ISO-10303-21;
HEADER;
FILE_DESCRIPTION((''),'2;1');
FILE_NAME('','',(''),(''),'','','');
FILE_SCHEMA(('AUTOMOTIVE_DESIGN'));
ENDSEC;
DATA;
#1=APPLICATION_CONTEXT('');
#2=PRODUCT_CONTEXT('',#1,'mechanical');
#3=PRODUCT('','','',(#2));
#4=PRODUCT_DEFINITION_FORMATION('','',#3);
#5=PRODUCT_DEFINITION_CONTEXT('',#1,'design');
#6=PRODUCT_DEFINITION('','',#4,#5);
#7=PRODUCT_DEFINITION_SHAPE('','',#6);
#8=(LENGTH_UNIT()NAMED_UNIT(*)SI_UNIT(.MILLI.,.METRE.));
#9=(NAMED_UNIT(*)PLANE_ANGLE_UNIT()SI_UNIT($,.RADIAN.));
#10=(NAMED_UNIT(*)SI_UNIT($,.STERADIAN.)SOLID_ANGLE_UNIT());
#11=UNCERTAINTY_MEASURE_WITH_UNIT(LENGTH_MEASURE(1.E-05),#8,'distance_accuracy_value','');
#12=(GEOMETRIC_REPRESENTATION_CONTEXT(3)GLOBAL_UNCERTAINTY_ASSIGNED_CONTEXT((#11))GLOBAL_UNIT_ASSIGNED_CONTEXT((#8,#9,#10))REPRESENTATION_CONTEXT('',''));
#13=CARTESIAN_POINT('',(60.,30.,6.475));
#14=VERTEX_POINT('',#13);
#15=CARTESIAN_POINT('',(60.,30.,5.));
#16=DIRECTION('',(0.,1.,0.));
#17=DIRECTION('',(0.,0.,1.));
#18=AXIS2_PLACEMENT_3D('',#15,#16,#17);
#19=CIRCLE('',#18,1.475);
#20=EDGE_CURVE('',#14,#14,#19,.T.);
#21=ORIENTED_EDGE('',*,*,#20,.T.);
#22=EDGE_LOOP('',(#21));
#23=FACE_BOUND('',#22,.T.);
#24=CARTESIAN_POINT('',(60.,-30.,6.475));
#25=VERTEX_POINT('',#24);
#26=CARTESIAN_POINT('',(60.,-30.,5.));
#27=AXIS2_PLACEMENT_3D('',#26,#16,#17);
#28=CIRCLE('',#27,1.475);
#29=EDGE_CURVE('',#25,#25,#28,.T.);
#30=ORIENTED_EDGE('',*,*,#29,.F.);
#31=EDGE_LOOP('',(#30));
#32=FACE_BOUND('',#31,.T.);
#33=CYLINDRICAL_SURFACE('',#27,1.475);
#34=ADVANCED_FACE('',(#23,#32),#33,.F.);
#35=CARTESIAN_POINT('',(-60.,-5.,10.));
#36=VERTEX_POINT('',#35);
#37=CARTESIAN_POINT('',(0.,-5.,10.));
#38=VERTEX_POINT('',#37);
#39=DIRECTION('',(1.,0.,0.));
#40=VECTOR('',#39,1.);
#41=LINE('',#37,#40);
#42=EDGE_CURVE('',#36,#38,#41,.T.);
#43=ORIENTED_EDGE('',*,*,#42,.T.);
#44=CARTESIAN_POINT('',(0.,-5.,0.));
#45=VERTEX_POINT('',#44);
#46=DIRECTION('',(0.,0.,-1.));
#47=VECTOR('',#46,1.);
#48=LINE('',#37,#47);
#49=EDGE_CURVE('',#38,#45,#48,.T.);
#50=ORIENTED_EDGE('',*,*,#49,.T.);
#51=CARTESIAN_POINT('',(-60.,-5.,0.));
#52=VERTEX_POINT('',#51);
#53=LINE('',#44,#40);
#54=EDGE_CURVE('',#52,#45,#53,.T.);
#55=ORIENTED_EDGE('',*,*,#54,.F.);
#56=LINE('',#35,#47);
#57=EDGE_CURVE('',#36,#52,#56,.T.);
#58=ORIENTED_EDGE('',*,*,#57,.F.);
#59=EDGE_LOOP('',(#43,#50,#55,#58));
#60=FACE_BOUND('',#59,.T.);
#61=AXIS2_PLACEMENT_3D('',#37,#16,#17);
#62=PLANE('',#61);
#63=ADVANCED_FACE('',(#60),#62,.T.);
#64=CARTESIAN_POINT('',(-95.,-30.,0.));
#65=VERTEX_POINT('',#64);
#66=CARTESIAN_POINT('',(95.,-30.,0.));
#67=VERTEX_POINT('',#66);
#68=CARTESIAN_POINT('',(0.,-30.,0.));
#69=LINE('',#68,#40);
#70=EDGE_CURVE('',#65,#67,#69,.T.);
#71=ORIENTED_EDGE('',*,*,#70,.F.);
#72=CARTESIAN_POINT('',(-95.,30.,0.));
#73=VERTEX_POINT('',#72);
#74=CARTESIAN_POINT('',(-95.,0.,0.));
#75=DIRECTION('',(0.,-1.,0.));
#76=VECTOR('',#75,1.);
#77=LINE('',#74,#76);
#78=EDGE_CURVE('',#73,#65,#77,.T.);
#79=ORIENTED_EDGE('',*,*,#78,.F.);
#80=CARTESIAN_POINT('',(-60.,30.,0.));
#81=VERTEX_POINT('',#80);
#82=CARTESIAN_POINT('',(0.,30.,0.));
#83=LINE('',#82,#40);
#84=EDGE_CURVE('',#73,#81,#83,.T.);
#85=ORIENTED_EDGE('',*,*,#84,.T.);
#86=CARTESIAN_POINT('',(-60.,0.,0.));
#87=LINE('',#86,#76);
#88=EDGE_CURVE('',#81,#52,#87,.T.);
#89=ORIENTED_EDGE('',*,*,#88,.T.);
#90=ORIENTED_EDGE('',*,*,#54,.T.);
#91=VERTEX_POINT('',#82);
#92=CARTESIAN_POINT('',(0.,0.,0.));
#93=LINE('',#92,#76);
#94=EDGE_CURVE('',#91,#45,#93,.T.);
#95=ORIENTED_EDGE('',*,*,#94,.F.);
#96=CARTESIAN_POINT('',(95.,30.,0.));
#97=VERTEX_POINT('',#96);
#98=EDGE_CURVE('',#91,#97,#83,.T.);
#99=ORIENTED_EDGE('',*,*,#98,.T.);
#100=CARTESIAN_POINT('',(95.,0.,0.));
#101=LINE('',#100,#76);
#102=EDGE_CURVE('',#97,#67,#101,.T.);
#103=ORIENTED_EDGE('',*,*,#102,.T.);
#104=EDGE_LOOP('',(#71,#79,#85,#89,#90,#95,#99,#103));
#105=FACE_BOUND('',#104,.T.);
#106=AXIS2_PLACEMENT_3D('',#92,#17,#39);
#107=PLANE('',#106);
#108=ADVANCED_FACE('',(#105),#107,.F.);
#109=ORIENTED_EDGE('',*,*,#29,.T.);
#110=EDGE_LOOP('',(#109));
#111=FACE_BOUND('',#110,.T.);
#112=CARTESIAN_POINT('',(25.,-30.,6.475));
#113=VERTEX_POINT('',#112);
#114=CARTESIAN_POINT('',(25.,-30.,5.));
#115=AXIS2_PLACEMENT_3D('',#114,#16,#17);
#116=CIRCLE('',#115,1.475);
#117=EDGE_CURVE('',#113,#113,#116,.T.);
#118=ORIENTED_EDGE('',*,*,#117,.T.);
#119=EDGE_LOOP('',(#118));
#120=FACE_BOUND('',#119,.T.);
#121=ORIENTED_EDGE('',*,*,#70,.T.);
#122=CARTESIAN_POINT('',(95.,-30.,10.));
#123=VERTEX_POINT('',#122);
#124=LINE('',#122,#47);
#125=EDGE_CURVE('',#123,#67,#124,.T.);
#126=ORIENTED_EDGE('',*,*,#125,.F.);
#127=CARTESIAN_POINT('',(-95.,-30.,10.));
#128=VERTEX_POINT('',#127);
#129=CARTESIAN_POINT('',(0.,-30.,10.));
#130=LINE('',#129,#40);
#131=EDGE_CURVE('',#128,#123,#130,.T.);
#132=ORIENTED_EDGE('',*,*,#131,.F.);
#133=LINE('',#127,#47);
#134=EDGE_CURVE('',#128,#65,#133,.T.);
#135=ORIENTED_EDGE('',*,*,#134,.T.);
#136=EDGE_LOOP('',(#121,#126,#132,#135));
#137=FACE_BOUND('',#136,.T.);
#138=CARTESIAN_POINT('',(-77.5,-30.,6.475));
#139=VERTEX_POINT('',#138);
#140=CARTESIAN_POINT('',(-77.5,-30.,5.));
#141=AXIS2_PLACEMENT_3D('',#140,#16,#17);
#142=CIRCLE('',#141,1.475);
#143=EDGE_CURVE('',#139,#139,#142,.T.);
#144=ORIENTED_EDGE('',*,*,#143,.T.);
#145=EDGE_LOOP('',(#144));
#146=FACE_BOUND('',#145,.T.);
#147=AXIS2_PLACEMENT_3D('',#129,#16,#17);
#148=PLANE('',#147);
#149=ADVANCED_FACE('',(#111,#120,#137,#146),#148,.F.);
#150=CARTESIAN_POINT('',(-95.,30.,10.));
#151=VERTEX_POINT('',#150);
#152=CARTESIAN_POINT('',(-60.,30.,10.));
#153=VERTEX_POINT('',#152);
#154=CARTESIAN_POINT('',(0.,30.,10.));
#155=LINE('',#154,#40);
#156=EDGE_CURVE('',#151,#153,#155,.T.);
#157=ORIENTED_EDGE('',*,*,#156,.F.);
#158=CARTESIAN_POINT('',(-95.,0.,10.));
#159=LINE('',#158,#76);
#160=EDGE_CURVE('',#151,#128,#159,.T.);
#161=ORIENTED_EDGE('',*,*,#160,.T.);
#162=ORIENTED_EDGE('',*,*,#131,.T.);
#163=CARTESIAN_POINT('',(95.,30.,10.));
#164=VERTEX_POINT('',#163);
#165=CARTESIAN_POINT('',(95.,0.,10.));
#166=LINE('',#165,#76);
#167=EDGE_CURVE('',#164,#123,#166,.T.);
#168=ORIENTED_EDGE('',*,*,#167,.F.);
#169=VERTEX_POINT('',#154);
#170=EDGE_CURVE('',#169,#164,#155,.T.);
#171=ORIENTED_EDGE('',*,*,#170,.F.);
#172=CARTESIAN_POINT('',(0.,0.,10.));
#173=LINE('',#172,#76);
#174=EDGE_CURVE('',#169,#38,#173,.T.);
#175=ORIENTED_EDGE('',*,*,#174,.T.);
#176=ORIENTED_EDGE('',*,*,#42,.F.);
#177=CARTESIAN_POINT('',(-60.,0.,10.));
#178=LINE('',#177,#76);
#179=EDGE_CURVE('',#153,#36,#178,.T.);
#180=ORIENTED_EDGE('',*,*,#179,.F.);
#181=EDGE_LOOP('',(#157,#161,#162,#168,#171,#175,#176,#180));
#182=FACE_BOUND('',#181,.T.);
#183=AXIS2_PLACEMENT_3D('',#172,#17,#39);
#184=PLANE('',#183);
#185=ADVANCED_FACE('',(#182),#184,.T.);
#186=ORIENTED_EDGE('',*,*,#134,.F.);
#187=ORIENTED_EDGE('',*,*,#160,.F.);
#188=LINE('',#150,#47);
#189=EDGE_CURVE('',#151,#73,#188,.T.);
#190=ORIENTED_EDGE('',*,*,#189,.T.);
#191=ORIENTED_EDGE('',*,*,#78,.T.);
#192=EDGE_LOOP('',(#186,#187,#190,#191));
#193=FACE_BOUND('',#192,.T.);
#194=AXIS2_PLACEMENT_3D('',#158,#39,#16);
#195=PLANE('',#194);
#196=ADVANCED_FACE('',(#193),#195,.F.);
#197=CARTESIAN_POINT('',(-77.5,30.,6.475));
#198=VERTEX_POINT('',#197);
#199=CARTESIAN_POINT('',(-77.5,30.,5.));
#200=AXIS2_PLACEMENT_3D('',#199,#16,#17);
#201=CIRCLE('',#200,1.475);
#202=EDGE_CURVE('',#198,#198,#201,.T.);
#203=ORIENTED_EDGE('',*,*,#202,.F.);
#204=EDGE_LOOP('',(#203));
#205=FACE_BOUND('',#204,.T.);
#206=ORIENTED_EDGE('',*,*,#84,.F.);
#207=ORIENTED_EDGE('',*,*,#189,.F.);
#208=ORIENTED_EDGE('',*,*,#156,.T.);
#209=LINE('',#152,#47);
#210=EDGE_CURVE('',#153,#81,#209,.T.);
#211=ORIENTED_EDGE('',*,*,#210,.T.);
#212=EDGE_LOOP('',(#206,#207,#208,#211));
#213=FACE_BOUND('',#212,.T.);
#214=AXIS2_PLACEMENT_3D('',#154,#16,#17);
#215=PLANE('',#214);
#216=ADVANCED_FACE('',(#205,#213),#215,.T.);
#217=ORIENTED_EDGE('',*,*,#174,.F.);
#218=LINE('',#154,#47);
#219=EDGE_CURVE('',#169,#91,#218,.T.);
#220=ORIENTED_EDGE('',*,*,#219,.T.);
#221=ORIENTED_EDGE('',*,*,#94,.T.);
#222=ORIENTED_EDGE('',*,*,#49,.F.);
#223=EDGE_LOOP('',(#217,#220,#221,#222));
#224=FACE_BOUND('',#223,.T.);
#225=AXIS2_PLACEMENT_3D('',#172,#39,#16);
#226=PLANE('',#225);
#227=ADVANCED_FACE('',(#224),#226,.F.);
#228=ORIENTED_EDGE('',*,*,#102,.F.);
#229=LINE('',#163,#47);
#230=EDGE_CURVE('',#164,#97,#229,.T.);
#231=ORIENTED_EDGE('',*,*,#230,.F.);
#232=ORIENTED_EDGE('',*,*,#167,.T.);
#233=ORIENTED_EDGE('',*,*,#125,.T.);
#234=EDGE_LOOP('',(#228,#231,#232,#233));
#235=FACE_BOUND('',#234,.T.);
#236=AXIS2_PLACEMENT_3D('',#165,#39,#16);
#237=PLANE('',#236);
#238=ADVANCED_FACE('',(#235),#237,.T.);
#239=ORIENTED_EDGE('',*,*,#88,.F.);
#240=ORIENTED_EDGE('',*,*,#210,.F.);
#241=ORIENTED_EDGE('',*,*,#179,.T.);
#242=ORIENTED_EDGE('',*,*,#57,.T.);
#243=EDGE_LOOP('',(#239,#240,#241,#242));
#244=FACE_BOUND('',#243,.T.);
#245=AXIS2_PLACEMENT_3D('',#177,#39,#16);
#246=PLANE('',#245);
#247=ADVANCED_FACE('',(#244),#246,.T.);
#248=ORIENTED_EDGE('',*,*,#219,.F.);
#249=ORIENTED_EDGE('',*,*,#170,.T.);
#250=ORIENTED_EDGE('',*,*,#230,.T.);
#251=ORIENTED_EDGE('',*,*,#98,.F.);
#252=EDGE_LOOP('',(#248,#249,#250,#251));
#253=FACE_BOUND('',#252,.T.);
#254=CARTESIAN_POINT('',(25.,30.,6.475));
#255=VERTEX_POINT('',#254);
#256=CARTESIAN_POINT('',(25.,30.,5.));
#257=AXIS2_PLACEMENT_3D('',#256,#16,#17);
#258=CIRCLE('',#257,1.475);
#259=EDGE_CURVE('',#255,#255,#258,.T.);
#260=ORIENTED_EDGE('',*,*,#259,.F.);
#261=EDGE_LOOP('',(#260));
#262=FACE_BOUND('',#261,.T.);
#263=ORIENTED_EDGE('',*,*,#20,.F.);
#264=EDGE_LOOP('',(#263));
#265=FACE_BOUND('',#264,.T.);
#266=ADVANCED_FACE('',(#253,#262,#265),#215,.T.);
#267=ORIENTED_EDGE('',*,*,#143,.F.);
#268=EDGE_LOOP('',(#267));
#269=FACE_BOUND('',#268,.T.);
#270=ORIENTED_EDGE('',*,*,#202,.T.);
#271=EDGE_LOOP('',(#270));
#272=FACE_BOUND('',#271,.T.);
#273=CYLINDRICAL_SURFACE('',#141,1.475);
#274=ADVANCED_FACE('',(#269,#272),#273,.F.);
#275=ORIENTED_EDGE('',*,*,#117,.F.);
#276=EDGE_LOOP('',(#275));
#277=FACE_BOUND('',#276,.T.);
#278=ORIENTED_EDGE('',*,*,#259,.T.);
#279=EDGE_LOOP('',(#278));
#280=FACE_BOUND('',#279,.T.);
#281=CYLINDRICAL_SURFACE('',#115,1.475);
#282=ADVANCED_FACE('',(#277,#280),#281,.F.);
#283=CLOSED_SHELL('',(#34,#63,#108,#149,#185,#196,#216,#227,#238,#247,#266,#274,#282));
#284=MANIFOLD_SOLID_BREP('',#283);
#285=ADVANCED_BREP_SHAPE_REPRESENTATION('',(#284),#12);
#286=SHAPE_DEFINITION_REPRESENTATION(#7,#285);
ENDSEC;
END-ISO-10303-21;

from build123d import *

# Parameters (mm, degrees)
BOSS_EXTRUDE1_DEPTH = 10
CUT_EXTRUDE1_DEPTH  = 61


with BuildPart() as part:
    # Sketch2 → Boss-Extrude1 (new body)
    with BuildSketch(Plane.XY):
        Polygon((-60, 30), (-95, 30), (-95, -30), (95, -30), (95, 30), (0, 30), (0, -5), (-60, -5), align=None)
    extrude(amount=BOSS_EXTRUDE1_DEPTH)

    # Sketch3 → Cut-Extrude1 (cut, through all)
    with BuildSketch(Plane(origin=(0, 30, 0), x_dir=(1, 0, 0), z_dir=(0, 1, 0))):
        with BuildLine():
            ThreePointArc((-78.975, -5), (-77.5, -6.475), (-76.025, -5))
            Line((-76.025, -5), (-78.975, -5))
        make_face()
        with BuildLine():
            Line((-78.975, -5), (-76.025, -5))
            ThreePointArc((-76.025, -5), (-77.5, -3.525), (-78.975, -5))
        make_face()
        with BuildLine():
            ThreePointArc((58.525, -5), (60, -6.475), (61.475, -5))
            Line((61.475, -5), (58.525, -5))
        make_face()
        with BuildLine():
            Line((58.525, -5), (61.475, -5))
            ThreePointArc((61.475, -5), (60, -3.525), (58.525, -5))
        make_face()
        with BuildLine():
            ThreePointArc((23.525, -5), (25, -6.475), (26.475, -5))
            Line((26.475, -5), (23.525, -5))
        make_face()
        with BuildLine():
            Line((23.525, -5), (26.475, -5))
            ThreePointArc((26.475, -5), (25, -3.525), (23.525, -5))
        make_face()
    extrude(amount=-CUT_EXTRUDE1_DEPTH, mode=Mode.SUBTRACT)


solid = part.part
